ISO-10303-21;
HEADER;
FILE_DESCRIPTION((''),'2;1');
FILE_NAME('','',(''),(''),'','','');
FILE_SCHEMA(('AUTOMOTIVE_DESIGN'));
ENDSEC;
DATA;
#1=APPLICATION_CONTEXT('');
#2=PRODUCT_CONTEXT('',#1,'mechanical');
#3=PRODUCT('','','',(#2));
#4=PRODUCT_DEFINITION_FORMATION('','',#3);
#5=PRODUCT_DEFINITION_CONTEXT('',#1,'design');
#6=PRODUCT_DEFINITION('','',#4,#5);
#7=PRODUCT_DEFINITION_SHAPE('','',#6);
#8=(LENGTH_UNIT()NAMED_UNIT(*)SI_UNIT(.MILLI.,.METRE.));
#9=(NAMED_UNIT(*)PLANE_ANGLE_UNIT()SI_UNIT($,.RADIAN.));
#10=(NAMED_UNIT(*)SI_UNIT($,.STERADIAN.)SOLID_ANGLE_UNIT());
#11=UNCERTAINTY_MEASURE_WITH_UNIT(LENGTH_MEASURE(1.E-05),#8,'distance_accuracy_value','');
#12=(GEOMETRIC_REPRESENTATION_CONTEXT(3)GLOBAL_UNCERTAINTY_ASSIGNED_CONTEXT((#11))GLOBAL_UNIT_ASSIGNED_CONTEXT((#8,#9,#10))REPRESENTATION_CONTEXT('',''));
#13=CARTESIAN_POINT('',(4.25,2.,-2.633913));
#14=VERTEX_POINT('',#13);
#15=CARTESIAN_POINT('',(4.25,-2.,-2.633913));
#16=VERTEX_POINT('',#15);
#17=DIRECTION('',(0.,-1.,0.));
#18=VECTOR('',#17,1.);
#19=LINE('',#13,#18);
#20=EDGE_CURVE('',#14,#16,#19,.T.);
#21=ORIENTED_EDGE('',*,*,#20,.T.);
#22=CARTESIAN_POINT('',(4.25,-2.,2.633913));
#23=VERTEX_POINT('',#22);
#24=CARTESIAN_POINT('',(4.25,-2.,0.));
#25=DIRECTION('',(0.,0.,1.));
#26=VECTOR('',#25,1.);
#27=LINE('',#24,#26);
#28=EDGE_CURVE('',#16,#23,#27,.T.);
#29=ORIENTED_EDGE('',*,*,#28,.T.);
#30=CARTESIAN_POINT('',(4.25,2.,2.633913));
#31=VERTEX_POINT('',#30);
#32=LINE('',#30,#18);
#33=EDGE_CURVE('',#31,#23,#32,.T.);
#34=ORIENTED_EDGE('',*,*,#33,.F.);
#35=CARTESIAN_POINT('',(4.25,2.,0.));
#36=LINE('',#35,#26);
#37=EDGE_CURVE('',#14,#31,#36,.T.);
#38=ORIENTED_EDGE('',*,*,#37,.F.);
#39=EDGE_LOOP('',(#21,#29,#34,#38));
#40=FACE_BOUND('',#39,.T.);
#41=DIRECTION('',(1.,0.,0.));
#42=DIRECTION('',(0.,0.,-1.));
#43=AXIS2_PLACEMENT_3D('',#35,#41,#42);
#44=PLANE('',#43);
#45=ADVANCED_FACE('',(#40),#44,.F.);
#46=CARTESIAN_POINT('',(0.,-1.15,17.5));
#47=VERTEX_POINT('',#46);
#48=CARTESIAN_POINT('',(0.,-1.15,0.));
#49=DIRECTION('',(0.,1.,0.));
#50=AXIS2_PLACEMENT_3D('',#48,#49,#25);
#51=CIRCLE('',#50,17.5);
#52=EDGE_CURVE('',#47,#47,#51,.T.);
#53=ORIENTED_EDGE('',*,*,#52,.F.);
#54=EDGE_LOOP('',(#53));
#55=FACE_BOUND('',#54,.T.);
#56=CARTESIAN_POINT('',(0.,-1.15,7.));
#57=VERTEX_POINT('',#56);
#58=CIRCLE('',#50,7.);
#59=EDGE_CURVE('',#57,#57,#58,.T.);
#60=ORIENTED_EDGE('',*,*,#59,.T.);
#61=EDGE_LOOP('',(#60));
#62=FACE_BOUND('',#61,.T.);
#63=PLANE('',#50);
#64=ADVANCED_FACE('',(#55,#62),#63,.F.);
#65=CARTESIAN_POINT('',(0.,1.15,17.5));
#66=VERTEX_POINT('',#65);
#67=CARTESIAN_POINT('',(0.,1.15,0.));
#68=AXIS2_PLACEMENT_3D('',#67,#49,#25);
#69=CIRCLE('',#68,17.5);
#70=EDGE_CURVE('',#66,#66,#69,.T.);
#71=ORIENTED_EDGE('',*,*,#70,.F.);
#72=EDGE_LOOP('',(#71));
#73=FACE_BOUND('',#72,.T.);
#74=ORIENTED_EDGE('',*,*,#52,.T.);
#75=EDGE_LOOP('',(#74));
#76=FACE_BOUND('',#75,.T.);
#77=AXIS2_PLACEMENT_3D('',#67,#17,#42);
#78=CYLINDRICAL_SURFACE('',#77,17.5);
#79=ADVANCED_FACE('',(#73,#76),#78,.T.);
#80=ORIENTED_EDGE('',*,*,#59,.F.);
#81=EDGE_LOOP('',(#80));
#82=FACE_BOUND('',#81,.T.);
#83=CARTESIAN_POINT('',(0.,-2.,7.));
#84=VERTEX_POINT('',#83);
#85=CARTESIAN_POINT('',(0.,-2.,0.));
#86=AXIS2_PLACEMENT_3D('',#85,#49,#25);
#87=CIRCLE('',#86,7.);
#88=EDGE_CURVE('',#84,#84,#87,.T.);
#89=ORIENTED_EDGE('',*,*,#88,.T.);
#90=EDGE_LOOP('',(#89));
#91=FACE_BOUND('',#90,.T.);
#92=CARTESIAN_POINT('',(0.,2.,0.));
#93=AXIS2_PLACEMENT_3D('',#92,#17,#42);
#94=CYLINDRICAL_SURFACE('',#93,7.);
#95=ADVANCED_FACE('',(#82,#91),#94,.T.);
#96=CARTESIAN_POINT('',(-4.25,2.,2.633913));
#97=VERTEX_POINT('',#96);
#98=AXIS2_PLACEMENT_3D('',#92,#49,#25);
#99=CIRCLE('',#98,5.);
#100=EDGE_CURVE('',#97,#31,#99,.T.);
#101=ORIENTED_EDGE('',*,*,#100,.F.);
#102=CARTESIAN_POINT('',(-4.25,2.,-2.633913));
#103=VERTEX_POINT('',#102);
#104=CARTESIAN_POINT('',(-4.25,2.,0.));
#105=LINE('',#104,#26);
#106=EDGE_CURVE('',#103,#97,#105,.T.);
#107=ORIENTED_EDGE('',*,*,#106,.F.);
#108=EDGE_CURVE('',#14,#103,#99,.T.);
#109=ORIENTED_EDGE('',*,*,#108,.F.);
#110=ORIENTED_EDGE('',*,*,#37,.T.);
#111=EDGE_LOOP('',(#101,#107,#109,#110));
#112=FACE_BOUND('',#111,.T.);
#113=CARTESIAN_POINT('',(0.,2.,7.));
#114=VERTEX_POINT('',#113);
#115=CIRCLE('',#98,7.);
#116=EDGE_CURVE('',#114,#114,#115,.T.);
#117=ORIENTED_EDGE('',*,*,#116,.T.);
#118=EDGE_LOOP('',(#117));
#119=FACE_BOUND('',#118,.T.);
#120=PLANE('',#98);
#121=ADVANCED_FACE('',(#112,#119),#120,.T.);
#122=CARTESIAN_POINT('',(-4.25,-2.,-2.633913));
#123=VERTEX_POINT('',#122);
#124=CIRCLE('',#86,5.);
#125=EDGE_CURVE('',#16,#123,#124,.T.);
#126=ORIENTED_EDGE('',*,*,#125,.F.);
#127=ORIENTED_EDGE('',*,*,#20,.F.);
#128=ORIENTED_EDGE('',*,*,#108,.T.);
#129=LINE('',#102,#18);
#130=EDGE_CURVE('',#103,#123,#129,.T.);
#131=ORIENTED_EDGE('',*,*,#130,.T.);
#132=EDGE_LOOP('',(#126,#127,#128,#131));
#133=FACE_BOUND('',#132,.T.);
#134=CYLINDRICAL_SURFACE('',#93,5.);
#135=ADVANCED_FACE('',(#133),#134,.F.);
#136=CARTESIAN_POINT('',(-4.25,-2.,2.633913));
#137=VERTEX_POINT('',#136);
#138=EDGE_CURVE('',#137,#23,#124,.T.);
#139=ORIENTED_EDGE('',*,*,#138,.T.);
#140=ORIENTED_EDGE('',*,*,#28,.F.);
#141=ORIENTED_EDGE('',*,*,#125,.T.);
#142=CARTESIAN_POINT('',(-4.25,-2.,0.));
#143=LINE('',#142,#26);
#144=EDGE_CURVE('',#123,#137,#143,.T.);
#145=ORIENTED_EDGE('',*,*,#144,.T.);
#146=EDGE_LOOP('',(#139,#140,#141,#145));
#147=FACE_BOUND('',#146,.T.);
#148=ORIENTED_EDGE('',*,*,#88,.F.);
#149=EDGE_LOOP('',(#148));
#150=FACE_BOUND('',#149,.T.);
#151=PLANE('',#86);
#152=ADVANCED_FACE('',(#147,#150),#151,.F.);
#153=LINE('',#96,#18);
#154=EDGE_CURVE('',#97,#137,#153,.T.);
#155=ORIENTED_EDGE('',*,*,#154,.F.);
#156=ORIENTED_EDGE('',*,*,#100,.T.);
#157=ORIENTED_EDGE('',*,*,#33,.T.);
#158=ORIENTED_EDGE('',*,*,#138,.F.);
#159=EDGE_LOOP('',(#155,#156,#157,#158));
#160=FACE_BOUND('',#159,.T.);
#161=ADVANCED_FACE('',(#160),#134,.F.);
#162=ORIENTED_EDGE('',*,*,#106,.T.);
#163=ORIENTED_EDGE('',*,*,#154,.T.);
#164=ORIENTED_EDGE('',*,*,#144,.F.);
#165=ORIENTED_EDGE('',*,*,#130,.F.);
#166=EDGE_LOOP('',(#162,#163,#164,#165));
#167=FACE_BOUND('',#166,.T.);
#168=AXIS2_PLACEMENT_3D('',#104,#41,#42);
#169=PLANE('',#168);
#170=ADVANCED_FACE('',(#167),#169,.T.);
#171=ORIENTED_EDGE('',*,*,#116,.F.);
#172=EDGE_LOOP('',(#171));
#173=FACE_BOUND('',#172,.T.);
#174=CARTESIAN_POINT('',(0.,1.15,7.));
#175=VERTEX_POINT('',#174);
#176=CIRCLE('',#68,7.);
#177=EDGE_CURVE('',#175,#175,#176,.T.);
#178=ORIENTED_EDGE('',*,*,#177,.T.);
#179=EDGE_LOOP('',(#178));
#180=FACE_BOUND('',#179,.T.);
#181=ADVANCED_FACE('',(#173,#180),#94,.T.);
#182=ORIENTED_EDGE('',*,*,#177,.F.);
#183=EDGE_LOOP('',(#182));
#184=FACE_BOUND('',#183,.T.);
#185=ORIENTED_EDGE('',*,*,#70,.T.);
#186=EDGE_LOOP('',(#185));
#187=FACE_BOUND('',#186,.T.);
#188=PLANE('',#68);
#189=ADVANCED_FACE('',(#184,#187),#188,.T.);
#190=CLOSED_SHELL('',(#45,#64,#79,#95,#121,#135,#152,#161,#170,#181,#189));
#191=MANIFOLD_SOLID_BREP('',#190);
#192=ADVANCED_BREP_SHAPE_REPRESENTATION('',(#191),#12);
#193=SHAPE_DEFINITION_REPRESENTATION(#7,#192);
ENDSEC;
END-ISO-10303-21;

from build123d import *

# Parameters (mm, degrees)
SKETCH1_R           = 7
BOSS_EXTRUDE1_DEPTH = 2
SKETCH1_3_R         = 17.5
SKETCH1_3_R_2       = 7
BOSS_EXTRUDE2_DEPTH = 1.15


with BuildPart() as part:
    # Sketch1 → Boss-Extrude1 (new, symmetric)
    with BuildSketch(Plane(origin=(0, 0, 0), x_dir=(1, 0, 0), z_dir=(0, 1, 0))):
        Circle(SKETCH1_R)
        with BuildLine():
            Line((-4.25, -2.633913438), (-4.25, 2.633913438))
            ThreePointArc((-4.25, 2.633913438), (0, 5), (4.25, 2.633913438))
            Line((4.25, 2.633913438), (4.25, -2.633913438))
            ThreePointArc((4.25, -2.633913438), (0, -5), (-4.25, -2.633913438))
        make_face(mode=Mode.SUBTRACT)
    extrude(amount=BOSS_EXTRUDE1_DEPTH, both=True)

    # Sketch1<3> → Boss-Extrude2 (add, symmetric)
    with BuildSketch(Plane(origin=(0, 0, 0), x_dir=(1, 0, 0), z_dir=(0, 1, 0))):
        Circle(SKETCH1_3_R)
        Circle(SKETCH1_3_R_2, mode=Mode.SUBTRACT)
    extrude(amount=BOSS_EXTRUDE2_DEPTH, both=True)


solid = part.part
